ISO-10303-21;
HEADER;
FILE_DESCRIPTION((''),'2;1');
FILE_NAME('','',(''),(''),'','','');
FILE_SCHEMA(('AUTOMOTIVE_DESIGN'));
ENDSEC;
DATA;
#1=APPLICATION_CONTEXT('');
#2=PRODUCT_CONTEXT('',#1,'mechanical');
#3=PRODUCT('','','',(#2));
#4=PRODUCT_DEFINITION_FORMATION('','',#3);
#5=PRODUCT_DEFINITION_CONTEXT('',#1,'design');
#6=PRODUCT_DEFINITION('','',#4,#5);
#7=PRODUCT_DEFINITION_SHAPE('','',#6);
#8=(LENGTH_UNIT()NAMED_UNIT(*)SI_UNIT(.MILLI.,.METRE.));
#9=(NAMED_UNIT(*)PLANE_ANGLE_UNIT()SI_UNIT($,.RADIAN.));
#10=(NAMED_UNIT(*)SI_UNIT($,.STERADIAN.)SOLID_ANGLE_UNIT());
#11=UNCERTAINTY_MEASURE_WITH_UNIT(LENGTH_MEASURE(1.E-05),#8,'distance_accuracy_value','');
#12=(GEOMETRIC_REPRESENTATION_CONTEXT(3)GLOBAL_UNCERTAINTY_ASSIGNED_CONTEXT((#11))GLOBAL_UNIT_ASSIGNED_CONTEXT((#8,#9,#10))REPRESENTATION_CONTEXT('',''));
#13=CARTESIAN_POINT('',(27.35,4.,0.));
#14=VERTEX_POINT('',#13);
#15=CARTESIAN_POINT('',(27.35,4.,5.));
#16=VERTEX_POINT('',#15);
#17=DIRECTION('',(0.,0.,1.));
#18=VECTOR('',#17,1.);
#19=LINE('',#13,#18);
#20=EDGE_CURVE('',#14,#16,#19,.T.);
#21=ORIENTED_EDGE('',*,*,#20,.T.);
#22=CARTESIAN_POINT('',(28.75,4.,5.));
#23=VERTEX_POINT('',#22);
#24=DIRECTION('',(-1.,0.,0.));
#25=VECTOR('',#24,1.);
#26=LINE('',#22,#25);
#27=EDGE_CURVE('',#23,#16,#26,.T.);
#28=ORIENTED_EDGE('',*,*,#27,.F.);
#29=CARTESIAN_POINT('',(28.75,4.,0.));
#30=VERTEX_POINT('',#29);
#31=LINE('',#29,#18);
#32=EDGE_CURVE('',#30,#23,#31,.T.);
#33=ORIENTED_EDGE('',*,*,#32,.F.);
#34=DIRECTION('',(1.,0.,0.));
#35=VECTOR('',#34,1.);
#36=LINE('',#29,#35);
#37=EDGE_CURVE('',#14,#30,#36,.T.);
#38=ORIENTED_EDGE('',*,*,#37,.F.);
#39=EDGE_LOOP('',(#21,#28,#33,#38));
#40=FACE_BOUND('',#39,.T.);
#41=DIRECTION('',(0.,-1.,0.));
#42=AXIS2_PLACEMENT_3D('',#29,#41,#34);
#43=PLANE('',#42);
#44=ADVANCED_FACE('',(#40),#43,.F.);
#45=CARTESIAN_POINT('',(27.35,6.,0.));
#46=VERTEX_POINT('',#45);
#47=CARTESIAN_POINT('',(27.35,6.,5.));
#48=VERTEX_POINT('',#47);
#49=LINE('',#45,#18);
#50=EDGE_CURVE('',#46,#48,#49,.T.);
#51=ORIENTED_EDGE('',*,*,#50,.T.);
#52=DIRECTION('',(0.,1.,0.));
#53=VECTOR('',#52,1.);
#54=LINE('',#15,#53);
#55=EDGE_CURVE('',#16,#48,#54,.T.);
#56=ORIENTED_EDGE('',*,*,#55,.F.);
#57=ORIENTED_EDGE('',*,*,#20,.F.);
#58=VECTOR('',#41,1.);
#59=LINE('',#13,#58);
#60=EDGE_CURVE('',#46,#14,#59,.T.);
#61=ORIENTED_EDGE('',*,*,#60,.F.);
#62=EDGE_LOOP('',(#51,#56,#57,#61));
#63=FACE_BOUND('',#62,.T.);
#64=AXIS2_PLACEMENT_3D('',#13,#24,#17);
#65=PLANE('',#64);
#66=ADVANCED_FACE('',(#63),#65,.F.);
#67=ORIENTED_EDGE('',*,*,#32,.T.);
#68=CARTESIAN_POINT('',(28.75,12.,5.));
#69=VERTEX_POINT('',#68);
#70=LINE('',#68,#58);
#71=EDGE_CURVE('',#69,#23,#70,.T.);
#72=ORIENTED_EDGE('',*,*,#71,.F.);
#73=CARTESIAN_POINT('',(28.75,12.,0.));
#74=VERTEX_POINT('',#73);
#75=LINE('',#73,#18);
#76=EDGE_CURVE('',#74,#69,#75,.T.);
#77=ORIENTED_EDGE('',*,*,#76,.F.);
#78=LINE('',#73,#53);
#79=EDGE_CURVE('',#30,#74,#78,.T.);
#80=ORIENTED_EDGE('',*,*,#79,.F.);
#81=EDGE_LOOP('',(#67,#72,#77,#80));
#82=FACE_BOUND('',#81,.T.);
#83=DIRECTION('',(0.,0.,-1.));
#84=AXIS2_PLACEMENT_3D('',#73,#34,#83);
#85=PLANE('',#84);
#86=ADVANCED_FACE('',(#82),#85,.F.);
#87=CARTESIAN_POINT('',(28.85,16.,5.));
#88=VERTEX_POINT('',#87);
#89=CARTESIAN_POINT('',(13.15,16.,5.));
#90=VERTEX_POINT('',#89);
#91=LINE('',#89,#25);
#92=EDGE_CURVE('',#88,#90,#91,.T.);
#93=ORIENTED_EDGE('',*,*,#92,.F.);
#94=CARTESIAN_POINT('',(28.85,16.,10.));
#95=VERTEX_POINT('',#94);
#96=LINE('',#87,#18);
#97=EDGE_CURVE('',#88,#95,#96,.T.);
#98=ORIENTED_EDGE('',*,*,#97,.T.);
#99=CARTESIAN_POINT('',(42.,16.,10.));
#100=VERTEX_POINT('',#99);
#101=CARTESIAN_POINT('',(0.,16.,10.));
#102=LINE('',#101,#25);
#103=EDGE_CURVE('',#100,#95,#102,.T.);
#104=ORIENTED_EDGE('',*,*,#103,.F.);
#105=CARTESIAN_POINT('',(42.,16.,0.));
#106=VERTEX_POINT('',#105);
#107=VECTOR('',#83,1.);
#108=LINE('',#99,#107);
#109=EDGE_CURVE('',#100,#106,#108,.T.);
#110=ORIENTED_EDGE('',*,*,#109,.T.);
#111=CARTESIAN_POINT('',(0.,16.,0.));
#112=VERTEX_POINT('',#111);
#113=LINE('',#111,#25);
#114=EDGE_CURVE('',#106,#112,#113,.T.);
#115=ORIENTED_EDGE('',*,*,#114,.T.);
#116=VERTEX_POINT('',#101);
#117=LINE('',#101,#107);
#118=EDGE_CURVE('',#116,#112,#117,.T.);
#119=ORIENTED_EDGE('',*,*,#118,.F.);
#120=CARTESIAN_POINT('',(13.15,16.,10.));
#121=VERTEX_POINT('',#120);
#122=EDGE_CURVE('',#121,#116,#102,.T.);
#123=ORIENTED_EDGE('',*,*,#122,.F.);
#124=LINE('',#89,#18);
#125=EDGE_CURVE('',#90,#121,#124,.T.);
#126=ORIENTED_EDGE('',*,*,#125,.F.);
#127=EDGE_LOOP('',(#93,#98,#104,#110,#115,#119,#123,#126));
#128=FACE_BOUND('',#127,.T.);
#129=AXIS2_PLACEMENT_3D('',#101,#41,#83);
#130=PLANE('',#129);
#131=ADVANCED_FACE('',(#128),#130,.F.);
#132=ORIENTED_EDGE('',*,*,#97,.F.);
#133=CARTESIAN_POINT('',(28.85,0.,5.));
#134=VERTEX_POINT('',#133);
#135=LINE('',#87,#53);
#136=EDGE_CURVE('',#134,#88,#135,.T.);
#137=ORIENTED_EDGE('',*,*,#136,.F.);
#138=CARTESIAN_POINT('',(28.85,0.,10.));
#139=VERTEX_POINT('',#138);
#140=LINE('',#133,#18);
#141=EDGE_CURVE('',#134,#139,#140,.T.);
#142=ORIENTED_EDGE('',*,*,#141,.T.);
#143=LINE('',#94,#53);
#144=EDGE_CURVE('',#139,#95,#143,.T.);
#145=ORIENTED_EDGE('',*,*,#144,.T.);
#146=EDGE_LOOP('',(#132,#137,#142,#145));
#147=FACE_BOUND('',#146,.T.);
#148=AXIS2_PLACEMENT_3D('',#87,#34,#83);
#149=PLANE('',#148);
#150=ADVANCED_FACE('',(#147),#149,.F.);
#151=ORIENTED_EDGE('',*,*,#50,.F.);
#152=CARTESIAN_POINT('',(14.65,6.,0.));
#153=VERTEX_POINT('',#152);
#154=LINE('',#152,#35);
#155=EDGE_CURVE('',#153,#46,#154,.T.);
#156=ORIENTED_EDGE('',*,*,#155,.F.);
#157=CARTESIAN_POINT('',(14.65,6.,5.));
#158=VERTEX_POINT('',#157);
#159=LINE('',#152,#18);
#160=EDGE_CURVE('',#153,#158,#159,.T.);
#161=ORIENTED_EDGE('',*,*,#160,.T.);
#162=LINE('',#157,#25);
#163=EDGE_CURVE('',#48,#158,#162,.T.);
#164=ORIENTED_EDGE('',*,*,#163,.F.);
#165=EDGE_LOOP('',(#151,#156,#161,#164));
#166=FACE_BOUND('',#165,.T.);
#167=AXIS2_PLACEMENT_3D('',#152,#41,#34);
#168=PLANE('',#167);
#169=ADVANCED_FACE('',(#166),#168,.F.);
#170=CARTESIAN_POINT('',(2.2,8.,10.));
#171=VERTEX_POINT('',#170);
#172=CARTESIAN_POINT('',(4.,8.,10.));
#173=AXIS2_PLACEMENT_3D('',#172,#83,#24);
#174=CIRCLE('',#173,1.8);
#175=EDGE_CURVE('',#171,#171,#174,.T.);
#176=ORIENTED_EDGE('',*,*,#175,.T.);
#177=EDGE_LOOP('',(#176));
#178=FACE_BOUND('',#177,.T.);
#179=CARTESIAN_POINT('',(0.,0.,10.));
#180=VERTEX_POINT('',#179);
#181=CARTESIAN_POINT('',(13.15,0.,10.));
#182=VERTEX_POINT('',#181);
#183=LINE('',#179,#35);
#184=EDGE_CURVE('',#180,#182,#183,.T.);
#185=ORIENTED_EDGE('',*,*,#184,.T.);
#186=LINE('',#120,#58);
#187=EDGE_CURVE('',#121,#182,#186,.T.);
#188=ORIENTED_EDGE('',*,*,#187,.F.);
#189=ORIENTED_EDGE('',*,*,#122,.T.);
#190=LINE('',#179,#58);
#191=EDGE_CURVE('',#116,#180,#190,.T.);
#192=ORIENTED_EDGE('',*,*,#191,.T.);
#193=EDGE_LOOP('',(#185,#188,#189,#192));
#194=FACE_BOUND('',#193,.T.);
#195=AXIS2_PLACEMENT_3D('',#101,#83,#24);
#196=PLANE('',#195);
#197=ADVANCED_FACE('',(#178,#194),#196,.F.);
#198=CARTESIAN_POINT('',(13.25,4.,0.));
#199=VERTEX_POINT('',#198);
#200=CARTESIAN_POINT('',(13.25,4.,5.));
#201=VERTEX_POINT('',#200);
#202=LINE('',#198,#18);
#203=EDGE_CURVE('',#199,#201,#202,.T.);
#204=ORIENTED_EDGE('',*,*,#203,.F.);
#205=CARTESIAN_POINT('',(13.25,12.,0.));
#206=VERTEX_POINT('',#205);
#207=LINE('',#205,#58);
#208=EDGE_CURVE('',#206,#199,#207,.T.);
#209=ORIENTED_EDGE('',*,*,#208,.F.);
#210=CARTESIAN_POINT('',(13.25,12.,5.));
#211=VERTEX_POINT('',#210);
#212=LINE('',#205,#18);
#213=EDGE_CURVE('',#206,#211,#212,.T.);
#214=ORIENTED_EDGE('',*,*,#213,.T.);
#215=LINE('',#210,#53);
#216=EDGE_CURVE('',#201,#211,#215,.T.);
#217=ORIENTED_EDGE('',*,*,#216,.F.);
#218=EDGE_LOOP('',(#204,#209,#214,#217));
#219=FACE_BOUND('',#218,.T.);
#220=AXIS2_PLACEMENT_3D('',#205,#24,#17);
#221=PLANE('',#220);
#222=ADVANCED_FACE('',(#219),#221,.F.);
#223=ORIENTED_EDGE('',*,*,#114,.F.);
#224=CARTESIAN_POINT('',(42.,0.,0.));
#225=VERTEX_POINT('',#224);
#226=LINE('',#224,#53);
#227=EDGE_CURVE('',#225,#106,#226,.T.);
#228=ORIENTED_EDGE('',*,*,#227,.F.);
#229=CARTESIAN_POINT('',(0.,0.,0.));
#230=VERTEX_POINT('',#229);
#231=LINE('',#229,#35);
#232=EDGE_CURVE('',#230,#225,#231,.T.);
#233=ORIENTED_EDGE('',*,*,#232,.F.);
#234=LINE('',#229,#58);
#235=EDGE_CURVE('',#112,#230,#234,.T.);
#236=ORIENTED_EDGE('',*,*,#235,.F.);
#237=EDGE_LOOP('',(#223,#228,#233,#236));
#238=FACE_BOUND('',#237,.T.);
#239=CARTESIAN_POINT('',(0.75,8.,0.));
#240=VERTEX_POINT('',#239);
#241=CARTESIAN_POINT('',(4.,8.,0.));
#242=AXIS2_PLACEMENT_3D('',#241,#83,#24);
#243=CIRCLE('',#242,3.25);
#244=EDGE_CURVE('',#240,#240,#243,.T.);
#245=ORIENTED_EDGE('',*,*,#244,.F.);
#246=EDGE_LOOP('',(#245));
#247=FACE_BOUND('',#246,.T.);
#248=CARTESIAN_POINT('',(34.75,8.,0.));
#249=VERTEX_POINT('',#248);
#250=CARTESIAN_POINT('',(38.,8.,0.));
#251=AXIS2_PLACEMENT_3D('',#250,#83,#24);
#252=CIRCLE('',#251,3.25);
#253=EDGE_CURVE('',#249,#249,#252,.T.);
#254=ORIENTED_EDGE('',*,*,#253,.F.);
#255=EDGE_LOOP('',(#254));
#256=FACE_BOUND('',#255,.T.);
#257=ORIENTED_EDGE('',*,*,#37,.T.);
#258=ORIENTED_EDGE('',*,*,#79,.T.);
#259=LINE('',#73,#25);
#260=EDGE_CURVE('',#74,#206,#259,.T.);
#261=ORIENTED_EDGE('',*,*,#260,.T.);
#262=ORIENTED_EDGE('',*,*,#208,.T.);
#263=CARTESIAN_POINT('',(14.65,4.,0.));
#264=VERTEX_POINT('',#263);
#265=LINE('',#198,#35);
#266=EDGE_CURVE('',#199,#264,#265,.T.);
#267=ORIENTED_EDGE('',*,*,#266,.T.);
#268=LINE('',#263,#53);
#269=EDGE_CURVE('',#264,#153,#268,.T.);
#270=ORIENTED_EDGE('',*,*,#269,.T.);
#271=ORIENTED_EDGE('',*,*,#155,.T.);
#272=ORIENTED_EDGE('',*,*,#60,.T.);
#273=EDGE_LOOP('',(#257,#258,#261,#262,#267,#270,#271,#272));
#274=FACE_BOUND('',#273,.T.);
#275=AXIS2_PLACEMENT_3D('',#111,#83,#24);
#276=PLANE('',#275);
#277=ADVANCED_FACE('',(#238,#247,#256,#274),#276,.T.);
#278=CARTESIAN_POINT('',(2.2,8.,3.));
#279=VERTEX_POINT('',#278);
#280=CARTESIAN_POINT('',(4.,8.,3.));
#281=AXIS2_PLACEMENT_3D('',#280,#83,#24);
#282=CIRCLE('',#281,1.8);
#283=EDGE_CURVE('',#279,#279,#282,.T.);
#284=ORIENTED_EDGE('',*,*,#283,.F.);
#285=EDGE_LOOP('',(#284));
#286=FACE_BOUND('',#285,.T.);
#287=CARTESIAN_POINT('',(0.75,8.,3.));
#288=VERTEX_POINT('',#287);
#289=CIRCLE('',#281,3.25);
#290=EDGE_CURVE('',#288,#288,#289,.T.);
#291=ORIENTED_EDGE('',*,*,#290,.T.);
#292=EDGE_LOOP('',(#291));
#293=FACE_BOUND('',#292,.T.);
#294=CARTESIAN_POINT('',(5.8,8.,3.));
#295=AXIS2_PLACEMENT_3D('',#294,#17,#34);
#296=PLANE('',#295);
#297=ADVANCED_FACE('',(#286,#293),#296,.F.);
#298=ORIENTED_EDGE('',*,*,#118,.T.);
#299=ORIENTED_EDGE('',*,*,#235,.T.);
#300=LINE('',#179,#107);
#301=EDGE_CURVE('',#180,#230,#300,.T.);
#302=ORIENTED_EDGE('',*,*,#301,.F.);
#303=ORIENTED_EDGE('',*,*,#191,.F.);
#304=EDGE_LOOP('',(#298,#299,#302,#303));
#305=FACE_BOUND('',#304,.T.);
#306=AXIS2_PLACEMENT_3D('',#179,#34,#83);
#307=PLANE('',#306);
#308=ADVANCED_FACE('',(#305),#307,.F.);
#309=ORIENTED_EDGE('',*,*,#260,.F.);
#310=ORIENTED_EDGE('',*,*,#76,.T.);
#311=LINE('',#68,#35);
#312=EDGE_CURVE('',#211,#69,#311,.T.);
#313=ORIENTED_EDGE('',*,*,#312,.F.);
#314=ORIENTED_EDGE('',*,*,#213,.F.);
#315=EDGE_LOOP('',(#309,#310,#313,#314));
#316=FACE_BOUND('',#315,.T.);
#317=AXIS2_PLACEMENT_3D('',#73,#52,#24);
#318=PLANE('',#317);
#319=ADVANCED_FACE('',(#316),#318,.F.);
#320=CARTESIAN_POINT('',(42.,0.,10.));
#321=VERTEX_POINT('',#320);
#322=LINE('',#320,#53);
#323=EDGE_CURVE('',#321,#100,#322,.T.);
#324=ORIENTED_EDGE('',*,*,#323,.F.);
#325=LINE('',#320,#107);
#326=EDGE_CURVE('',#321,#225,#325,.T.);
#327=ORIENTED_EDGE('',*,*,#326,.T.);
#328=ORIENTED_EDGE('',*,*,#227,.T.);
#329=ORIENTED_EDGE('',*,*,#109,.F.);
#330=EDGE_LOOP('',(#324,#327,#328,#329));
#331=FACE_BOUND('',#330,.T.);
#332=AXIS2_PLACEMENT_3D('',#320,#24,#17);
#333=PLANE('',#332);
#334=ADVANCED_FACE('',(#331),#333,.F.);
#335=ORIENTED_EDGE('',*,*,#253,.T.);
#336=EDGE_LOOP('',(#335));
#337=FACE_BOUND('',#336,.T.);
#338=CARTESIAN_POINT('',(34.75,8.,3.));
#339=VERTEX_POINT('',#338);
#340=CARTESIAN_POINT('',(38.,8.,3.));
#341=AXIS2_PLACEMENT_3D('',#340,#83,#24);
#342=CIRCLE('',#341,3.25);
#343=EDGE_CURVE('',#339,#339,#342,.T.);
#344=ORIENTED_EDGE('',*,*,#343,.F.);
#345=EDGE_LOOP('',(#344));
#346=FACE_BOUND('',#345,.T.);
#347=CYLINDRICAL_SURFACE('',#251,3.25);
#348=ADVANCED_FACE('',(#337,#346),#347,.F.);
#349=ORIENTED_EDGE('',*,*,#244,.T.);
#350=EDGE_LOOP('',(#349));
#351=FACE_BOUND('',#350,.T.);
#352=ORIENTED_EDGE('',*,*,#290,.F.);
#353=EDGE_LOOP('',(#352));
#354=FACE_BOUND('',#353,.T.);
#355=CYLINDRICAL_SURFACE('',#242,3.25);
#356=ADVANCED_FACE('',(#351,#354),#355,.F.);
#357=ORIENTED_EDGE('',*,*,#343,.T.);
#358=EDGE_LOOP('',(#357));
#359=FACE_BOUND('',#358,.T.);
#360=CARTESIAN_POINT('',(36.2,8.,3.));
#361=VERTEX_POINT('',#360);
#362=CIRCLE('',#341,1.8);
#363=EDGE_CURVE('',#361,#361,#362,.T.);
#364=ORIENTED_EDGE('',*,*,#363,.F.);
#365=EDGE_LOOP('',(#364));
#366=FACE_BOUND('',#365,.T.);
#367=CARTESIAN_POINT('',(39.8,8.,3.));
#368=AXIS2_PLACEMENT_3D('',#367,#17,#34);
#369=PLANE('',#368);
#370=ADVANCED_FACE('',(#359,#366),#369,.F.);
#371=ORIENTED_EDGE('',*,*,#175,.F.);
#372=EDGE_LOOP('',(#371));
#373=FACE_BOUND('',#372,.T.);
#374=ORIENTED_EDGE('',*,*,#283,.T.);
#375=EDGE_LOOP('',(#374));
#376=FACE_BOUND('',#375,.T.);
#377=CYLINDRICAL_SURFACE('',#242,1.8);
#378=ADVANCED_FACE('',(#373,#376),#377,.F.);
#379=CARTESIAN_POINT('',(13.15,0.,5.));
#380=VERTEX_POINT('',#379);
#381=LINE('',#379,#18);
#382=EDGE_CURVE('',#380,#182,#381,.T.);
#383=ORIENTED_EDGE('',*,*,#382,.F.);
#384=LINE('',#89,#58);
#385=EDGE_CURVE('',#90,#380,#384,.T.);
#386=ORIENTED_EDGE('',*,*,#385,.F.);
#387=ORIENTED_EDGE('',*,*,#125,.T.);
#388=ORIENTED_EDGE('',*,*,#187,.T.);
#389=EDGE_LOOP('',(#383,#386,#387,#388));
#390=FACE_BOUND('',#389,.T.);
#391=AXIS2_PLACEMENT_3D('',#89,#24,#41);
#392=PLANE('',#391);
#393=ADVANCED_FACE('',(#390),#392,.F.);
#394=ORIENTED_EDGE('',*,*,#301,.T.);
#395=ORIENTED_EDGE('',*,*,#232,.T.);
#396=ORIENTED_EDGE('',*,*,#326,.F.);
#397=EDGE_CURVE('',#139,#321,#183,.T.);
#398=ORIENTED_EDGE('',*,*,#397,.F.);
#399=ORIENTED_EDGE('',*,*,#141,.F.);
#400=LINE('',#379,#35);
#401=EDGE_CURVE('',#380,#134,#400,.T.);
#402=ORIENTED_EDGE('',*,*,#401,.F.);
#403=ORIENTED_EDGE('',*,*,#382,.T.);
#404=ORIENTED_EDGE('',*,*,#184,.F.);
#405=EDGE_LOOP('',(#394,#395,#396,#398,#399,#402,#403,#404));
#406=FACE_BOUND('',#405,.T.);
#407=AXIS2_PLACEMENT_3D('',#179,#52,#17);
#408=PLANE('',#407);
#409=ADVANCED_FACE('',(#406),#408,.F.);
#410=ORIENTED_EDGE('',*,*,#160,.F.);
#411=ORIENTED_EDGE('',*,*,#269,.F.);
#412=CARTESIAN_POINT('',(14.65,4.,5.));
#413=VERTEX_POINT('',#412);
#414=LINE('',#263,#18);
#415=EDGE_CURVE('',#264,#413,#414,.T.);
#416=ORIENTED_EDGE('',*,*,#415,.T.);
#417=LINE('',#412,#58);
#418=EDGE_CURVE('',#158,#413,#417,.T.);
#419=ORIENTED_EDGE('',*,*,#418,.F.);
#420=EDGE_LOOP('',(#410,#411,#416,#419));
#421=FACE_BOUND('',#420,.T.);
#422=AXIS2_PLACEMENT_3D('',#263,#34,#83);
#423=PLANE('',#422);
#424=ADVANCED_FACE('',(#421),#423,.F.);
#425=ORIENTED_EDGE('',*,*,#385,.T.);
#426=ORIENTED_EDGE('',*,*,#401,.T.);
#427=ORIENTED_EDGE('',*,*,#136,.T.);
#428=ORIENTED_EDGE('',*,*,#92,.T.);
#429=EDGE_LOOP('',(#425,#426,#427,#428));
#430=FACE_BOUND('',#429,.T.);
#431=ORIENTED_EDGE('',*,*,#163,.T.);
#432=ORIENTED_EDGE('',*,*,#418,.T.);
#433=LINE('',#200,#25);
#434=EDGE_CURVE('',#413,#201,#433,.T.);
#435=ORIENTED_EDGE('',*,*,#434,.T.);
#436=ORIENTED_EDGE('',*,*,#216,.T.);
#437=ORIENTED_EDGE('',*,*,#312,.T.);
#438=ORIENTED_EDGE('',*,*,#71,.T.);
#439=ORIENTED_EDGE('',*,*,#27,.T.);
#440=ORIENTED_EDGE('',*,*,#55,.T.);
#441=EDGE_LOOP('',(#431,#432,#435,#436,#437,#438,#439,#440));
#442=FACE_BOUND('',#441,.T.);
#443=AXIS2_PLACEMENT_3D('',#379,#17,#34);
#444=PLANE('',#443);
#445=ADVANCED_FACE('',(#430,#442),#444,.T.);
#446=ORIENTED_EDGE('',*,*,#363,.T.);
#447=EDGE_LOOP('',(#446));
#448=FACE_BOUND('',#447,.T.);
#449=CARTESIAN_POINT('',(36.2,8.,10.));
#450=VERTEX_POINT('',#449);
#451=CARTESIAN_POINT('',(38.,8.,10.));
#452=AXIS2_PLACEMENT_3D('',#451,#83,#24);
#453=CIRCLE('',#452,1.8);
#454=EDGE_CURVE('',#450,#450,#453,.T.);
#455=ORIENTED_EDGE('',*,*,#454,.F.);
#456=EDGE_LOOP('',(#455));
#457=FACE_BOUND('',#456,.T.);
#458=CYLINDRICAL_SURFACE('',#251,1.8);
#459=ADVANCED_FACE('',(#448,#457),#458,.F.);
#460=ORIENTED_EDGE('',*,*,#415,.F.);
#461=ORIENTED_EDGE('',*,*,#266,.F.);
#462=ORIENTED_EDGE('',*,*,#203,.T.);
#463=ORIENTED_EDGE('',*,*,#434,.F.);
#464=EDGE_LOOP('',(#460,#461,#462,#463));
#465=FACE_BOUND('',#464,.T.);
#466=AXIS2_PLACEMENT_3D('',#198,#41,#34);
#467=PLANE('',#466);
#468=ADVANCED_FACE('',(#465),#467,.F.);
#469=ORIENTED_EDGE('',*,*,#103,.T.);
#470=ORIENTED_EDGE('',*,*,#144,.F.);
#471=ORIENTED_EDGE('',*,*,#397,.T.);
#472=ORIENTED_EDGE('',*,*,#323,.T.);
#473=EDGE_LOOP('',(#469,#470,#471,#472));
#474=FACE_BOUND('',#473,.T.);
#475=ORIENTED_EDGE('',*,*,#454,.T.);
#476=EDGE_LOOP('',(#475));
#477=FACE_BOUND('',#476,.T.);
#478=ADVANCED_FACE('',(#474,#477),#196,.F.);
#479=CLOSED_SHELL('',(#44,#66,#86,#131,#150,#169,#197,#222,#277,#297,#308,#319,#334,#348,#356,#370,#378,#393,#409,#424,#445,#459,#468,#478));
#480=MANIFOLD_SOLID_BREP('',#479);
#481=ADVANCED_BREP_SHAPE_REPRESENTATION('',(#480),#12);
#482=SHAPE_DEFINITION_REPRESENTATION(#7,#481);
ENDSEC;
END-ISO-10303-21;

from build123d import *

# Parameters (mm, degrees)
SKETCH_1_W                   = 42
SKETCH_1_H                   = 16
EXTRUDE_1_DEPTH              = 10
CUT_EXTRUDE_1_DEPTH          = 47.043457733
SKETCH_4_W                   = 15.7
SKETCH_4_H                   = 16
CUT_EXTRUDE_2_DEPTH          = 5
HOLE_WIZARD_M3_1_D           = 3.6
HOLE_WIZARD_M3_1_CBORE_D     = 6.5
HOLE_WIZARD_M3_1_CBORE_DEPTH = 3


with BuildPart() as part:
    # 草图1 → 凸台-拉伸1 (new body)
    with BuildSketch(Plane.XY):
        with Locations((21, 8)):
            Rectangle(SKETCH_1_W, SKETCH_1_H)
    extrude(amount=EXTRUDE_1_DEPTH)

    # 草图2 → 切除-拉伸1 (cut, through all)
    with BuildSketch(Plane.XY.offset(10)):
        Polygon((28.75, 12), (13.25, 12), (13.25, 4), (14.65, 4), (14.65, 6), (27.35, 6), (27.35, 4), (28.75, 4), align=None)
    extrude(amount=-CUT_EXTRUDE_1_DEPTH, mode=Mode.SUBTRACT)

    # 草图4 → 切除-拉伸2 (cut)
    with BuildSketch(Plane.XY.offset(10)):
        with Locations((21, 8)):
            Rectangle(SKETCH_4_W, SKETCH_4_H)
    extrude(amount=-CUT_EXTRUDE_2_DEPTH, mode=Mode.SUBTRACT)

    # M3 六角凹头螺钉的柱形沉头孔1 (through all)
    with Locations(Plane(origin=(0, 0, 0), x_dir=(-1, 0, 0), z_dir=(0, 0, -1))):
        with Locations((-38, 8), (-4, 8)):
            CounterBoreHole(HOLE_WIZARD_M3_1_D / 2, HOLE_WIZARD_M3_1_CBORE_D / 2, HOLE_WIZARD_M3_1_CBORE_DEPTH)


solid = part.part
